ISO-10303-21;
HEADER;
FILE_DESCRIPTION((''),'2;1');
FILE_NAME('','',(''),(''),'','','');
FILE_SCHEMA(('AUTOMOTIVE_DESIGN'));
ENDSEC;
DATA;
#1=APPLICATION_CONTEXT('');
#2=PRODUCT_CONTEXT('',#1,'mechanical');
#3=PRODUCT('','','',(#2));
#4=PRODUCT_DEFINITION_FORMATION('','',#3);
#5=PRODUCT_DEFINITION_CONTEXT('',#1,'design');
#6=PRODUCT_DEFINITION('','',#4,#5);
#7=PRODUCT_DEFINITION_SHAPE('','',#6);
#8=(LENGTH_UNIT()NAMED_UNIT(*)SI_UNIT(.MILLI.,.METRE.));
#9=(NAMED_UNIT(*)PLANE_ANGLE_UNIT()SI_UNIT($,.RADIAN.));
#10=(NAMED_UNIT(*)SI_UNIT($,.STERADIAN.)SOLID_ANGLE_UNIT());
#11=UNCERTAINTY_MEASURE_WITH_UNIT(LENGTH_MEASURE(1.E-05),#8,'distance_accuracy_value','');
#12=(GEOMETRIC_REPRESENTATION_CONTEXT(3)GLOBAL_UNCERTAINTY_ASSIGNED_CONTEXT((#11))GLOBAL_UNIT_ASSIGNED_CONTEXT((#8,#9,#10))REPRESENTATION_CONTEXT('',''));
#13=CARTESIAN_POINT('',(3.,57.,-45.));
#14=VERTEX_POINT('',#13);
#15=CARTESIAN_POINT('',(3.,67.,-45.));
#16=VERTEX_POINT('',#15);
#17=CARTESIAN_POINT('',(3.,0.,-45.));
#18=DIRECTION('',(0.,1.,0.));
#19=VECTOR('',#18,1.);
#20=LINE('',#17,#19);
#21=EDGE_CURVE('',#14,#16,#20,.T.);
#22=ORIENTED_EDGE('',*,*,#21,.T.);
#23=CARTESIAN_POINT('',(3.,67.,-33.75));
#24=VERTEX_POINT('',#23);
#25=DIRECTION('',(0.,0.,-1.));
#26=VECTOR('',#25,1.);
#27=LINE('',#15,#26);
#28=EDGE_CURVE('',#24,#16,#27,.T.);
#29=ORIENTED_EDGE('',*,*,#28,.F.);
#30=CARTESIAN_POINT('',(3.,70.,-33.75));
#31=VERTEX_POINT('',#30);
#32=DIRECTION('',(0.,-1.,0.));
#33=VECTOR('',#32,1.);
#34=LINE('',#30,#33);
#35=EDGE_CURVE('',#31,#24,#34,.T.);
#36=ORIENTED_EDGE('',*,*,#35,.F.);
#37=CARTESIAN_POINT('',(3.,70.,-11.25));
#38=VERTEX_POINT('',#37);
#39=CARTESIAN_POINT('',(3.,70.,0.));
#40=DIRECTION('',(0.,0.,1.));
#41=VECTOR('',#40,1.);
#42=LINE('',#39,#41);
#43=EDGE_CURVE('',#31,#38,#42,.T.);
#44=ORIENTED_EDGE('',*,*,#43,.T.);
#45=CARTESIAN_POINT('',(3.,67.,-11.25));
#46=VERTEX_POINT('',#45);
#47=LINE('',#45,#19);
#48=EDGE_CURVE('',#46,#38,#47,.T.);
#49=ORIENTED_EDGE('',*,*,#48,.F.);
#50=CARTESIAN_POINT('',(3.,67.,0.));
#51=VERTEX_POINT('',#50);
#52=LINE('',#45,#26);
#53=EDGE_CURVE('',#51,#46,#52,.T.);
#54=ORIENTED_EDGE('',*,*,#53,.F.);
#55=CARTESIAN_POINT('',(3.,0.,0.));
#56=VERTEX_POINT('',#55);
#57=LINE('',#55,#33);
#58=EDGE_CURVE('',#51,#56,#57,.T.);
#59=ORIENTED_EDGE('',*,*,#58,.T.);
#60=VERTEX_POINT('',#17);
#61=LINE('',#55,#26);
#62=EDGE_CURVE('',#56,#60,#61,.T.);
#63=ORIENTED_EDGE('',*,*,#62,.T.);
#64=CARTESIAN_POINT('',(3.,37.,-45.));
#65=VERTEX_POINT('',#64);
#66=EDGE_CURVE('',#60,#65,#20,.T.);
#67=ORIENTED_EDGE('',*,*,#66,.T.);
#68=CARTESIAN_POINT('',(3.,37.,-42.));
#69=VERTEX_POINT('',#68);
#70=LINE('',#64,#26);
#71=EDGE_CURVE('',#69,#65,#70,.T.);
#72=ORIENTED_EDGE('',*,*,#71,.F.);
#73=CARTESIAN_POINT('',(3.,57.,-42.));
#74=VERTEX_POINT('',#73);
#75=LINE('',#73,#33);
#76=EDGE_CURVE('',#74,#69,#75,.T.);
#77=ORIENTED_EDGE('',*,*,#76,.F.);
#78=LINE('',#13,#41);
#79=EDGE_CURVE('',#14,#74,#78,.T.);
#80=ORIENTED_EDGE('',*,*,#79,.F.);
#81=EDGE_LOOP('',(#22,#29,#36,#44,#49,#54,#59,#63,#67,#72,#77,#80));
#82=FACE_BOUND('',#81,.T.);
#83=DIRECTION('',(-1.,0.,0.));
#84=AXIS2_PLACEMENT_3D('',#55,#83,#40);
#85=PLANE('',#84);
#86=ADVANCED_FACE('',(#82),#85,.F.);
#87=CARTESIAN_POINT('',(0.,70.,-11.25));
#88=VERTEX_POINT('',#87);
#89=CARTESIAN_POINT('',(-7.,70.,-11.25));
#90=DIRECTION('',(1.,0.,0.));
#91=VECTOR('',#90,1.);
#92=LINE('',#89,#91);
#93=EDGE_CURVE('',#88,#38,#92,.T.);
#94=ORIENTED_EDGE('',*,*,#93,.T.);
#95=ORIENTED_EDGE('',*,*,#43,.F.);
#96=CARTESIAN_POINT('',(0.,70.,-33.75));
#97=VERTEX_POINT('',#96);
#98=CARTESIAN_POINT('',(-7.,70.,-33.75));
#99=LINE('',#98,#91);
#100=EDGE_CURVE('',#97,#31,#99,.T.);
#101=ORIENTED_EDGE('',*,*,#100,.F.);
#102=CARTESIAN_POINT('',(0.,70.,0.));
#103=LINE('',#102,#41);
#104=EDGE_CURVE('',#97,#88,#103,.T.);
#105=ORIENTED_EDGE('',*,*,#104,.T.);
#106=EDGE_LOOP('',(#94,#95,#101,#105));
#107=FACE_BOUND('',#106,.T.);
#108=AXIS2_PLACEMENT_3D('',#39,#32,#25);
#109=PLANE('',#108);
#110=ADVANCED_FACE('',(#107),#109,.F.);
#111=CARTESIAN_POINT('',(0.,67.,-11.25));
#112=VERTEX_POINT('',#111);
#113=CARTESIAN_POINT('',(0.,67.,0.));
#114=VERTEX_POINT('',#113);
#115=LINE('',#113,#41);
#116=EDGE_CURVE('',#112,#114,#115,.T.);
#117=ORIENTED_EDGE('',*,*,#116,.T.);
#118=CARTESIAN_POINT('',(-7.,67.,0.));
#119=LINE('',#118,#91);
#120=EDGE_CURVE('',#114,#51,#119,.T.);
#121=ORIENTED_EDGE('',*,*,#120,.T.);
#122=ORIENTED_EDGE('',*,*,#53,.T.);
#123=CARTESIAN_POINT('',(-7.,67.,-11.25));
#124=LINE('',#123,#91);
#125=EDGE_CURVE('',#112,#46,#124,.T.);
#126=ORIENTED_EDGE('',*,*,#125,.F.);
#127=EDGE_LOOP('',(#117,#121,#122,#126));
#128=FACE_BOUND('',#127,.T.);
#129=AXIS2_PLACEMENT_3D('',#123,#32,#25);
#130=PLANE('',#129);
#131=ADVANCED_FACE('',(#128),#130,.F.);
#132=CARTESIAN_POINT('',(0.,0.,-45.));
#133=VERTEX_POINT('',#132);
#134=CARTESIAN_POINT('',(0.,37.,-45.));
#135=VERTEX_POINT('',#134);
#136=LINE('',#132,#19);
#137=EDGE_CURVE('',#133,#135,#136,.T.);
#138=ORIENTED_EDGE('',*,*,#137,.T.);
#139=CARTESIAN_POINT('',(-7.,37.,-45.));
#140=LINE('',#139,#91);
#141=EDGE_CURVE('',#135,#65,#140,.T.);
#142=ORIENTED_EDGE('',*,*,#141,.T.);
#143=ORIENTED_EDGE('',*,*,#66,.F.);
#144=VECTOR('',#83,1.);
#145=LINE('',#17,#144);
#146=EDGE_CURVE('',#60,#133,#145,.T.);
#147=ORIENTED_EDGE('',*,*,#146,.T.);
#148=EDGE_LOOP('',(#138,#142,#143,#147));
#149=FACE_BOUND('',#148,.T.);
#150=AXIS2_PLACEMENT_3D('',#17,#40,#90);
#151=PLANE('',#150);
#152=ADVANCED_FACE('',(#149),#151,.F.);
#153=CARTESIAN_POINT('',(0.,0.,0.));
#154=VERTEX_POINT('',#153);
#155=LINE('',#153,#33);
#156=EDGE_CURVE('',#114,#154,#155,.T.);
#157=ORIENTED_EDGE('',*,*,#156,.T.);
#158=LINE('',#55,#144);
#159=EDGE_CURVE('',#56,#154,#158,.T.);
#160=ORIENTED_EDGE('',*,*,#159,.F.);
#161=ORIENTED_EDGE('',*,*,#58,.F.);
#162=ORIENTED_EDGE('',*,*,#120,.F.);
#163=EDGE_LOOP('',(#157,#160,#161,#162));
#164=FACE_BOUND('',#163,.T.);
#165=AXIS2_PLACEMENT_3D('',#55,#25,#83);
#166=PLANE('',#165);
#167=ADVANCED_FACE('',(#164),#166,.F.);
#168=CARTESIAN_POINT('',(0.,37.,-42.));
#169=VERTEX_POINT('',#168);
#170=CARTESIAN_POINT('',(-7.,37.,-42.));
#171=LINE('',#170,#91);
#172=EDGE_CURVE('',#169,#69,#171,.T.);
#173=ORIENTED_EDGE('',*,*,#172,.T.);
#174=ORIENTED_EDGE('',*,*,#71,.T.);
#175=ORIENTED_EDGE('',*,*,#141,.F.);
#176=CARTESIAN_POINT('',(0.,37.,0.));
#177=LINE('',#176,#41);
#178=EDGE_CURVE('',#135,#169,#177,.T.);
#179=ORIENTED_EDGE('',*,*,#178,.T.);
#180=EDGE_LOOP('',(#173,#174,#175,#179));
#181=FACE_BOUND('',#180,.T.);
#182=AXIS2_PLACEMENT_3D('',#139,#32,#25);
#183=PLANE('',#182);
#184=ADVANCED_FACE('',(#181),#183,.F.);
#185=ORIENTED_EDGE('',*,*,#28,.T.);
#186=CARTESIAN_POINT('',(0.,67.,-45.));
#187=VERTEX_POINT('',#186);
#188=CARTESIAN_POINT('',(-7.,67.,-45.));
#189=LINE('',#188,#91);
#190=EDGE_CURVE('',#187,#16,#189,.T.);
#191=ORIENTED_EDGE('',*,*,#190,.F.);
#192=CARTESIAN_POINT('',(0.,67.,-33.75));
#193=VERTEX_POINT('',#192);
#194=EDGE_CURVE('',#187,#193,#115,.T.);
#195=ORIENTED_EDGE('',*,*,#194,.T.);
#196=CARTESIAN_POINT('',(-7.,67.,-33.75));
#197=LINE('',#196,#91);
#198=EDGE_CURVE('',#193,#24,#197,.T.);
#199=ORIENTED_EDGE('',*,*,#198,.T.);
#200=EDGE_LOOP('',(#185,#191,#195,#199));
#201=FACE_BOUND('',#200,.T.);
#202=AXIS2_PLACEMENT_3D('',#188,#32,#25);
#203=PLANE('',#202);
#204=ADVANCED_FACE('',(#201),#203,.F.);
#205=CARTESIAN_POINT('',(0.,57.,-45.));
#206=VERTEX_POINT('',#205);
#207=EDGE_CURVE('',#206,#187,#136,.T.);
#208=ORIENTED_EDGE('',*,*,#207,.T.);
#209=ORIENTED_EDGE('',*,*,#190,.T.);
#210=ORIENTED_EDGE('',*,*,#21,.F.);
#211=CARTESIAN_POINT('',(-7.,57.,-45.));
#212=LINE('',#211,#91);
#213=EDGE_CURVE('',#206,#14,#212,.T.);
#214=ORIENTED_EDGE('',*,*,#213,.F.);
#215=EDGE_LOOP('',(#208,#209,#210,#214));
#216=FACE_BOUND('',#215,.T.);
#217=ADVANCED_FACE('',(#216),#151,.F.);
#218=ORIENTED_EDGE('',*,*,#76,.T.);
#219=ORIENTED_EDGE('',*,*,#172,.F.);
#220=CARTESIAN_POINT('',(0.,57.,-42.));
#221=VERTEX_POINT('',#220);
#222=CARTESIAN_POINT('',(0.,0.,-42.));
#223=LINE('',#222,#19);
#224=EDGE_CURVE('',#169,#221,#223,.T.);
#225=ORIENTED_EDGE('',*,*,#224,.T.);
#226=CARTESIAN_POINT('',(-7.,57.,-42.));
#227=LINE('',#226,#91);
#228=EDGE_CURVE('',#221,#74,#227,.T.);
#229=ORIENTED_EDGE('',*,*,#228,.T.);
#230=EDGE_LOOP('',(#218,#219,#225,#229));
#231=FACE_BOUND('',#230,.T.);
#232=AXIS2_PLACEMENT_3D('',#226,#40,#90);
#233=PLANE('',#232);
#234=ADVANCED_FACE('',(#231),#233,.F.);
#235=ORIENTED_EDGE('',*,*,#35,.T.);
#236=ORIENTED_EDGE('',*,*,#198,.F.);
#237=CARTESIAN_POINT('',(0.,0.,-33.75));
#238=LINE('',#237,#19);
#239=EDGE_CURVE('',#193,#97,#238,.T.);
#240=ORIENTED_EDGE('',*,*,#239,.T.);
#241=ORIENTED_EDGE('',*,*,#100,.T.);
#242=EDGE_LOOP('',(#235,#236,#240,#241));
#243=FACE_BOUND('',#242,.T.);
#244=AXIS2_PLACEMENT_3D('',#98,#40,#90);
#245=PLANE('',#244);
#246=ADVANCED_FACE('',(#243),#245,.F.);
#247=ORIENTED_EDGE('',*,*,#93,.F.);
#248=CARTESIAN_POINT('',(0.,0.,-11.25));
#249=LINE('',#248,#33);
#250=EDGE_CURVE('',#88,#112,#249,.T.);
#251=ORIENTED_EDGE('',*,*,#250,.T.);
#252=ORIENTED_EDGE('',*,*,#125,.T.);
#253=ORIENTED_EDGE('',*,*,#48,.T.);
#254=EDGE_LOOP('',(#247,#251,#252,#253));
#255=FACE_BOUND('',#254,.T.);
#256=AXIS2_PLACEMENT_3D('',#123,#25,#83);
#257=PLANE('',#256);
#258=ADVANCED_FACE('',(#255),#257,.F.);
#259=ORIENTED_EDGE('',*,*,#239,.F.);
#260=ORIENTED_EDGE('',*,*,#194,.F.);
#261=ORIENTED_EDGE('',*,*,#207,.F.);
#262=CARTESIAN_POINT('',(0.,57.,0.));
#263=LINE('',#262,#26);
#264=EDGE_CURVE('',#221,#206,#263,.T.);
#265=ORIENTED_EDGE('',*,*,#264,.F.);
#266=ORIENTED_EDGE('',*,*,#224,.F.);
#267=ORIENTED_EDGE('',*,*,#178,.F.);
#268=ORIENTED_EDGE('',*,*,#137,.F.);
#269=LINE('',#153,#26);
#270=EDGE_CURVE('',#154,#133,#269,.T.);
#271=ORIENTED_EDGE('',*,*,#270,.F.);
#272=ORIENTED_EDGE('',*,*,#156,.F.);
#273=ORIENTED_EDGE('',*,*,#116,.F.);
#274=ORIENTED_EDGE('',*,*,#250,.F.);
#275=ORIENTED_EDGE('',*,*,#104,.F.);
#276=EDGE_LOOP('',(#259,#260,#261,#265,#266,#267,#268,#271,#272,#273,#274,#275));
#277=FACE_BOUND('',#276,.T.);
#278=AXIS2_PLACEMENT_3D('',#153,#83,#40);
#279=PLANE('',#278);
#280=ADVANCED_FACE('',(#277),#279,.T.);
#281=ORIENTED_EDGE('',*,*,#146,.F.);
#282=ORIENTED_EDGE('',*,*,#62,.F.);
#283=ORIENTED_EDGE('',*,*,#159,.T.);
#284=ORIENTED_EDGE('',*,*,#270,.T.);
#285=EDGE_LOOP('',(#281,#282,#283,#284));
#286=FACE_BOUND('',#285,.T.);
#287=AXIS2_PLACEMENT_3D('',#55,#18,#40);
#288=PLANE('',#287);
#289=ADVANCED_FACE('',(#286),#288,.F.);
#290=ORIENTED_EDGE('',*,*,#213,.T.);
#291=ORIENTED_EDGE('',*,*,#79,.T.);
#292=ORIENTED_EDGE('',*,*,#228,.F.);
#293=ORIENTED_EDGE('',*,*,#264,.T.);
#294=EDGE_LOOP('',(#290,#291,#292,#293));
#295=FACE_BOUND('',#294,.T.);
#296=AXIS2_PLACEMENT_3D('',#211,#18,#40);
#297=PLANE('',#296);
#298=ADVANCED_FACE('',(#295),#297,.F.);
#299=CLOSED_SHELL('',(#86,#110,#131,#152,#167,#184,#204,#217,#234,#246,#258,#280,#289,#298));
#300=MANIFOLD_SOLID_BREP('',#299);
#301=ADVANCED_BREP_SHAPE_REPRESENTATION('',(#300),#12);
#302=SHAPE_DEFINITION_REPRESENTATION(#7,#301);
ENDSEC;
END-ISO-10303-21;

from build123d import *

# Parameters (mm, degrees)
SKETCH1_W           = 45
SKETCH1_H           = 70
BOSS_EXTRUDE1_DEPTH = 3
SKETCH2_W           = 11.25
SKETCH2_H           = 3
SKETCH2_W_2         = 3
SKETCH2_H_2         = 20
CUT_EXTRUDE1_DEPTH  = 10


with BuildPart() as part:
    # Sketch1 → Boss-Extrude1 (new body)
    with BuildSketch(Plane(origin=(0, 0, 0), x_dir=(0, 0, -1), z_dir=(1, 0, 0))):
        with Locations((22.5, 35)):
            Rectangle(SKETCH1_W, SKETCH1_H)
    extrude(amount=BOSS_EXTRUDE1_DEPTH)

    # Sketch2 → Cut-Extrude1 (cut)
    with BuildSketch(Plane(origin=(3, 0, 0), x_dir=(0, 0, -1), z_dir=(1, 0, 0))):
        with Locations((39.375, 68.5)):
            Rectangle(SKETCH2_W, SKETCH2_H)
        with Locations((5.625, 68.5)):
            Rectangle(SKETCH2_W, SKETCH2_H)
        with Locations((43.5, 47)):
            Rectangle(SKETCH2_W_2, SKETCH2_H_2)
    extrude(amount=-CUT_EXTRUDE1_DEPTH, mode=Mode.SUBTRACT)


solid = part.part
